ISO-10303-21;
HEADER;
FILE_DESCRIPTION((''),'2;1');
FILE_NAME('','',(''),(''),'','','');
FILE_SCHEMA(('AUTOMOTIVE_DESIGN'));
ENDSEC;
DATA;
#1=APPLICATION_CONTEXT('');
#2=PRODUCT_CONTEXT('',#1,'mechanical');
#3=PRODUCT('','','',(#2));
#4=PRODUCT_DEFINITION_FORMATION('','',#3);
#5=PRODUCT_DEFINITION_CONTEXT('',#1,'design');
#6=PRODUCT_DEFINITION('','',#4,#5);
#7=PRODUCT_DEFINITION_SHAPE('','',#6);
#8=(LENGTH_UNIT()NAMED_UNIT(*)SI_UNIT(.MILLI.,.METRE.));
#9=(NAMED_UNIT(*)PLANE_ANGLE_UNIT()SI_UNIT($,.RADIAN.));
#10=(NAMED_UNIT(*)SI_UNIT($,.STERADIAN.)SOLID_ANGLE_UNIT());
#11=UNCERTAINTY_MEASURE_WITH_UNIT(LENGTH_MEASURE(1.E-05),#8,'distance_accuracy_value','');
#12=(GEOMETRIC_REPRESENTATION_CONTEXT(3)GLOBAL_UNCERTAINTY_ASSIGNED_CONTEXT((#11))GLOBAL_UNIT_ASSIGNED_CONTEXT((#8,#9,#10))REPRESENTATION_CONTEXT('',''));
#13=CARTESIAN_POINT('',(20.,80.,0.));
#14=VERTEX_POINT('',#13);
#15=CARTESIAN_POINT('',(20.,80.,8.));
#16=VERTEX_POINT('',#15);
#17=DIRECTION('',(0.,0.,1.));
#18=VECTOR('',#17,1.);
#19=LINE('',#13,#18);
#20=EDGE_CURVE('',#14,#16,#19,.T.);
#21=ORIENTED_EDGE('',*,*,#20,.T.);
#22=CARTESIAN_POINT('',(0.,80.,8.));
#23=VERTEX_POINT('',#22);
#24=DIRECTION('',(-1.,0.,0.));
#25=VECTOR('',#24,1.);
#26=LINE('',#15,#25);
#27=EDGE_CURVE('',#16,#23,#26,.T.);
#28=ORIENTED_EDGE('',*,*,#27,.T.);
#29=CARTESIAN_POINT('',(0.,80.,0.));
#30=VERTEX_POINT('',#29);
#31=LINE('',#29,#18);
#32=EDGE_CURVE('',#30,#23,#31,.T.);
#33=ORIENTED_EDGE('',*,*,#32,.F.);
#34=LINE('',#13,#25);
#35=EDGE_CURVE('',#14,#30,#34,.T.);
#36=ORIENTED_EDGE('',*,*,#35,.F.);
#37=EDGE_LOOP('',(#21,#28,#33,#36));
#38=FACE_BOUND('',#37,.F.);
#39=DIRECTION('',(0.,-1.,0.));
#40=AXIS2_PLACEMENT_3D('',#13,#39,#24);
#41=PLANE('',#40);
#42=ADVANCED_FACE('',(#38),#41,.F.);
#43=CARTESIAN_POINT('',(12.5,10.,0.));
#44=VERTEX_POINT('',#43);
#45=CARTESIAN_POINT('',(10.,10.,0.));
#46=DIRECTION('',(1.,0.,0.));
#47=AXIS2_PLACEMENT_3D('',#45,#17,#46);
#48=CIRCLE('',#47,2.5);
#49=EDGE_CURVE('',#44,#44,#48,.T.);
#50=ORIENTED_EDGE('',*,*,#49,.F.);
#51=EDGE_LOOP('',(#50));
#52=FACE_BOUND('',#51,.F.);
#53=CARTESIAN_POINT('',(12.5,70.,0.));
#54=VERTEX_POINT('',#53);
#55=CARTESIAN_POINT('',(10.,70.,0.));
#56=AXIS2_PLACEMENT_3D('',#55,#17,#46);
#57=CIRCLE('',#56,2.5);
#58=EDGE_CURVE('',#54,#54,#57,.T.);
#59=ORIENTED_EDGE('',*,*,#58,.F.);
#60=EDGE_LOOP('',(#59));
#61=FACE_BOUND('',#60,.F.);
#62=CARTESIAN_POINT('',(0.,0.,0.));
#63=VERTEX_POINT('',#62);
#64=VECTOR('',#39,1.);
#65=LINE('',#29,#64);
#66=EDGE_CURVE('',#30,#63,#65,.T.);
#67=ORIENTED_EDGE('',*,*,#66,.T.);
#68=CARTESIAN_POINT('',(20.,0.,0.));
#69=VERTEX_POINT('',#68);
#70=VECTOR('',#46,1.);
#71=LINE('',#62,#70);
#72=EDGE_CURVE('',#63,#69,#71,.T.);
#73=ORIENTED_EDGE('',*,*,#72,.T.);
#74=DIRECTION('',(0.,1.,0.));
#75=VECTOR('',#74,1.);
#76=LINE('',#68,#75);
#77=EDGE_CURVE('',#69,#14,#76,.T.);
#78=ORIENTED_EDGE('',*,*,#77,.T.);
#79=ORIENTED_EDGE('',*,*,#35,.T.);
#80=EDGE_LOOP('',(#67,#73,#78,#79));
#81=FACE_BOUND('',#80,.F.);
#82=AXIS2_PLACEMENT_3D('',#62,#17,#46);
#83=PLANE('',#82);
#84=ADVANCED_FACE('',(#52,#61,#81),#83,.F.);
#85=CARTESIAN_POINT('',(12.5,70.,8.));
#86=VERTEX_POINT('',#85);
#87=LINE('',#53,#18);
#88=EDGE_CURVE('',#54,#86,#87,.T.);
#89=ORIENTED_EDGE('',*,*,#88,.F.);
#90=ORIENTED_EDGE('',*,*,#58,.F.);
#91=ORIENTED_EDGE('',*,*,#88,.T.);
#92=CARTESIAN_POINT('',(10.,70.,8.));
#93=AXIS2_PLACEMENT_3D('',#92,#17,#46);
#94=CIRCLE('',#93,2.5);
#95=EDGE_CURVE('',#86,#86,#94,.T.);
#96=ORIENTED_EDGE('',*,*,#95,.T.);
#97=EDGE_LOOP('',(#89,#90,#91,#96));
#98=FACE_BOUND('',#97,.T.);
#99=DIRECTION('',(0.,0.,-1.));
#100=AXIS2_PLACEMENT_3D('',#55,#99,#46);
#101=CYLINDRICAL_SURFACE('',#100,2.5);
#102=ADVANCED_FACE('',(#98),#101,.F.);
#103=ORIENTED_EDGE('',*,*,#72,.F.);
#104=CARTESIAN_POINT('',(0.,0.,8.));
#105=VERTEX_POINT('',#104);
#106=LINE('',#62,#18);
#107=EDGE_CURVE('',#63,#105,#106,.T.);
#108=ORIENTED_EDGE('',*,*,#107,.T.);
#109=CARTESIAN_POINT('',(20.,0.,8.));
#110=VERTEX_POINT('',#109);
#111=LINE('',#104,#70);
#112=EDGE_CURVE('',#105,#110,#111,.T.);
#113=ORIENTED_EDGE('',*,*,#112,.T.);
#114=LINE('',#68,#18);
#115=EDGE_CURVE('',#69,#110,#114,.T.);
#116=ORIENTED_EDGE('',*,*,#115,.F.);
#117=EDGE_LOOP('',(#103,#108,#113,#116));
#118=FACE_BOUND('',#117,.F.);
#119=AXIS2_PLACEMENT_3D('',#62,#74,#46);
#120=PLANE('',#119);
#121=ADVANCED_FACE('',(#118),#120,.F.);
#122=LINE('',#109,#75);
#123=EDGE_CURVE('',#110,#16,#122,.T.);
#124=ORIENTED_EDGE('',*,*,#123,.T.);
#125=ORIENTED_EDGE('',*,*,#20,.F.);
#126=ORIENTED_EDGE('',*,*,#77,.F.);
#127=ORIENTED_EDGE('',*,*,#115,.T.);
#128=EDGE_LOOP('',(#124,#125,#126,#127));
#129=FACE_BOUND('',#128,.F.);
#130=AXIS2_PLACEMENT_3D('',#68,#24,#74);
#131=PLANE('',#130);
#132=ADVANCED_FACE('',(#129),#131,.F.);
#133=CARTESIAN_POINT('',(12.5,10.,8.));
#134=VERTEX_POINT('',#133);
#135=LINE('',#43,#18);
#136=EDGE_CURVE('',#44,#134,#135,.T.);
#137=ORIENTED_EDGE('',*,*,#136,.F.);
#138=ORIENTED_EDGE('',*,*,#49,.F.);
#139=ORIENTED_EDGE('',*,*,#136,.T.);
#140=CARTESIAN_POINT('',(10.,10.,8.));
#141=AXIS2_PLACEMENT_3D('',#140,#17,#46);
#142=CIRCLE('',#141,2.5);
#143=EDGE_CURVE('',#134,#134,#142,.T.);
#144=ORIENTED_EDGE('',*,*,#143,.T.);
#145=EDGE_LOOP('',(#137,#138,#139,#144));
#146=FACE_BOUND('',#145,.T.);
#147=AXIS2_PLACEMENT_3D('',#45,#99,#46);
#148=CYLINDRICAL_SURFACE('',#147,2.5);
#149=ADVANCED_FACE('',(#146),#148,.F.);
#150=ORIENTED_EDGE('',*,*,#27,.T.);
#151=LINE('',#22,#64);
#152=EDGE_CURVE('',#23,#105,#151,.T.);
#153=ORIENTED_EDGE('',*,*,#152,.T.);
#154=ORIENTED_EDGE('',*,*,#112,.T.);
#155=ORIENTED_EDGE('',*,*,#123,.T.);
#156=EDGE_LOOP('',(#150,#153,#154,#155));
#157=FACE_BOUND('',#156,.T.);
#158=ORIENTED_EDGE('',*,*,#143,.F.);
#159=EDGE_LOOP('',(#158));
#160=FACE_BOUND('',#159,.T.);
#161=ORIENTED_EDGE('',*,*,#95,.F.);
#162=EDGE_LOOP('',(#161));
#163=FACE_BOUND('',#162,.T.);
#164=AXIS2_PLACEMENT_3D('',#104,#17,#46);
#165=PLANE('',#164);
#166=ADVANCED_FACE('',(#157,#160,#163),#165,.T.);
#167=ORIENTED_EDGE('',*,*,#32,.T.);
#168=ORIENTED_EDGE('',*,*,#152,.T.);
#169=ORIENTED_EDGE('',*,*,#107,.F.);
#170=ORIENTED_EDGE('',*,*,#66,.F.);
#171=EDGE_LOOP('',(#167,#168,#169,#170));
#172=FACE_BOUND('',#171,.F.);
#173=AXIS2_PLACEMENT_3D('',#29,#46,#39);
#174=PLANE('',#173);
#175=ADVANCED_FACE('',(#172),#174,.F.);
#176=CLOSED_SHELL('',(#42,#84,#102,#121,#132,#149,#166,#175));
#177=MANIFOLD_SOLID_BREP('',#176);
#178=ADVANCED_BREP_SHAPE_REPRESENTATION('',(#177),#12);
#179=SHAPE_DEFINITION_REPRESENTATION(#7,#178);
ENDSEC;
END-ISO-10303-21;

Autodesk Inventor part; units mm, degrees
ref_plane "YZ Plane" through (0, 0, 0) normal (1, 0, 0) x (0, 1, 0)
ref_plane "XZ Plane" through (0, 0, 0) normal (0, 1, 0) x (-1, 0, 0)
ref_plane "XY Plane" through (0, 0, 0) normal (0, 0, 1) x (1, 0, 0)
sketch "スケッチ2" plane through (0, 0, 0) normal (0, 0, 1) x (1, 0, 0)
  line L0 (0, 0) -> (20, 0)
  line L1 (20, 0) -> (20, 80)
  line L2 (20, 80) -> (0, 80)
  line L3 (0, 80) -> (0, 0)
  line L4 (10, 80) -> (10, 0) construction
  circle A0 centre (10, 70) radius 2.5
  circle A1 centre (10, 10) radius 2.5
  dimension "d4" = 20
  dimension "d5" = 80
  dimension "d15" = 10
  dimension "d16" = 10
  dimension "d17" = 5
extrude "押し出し2" add sketch "スケッチ2" along normal blind 8
properties part number "モータースペーサ2_3D プリント"
